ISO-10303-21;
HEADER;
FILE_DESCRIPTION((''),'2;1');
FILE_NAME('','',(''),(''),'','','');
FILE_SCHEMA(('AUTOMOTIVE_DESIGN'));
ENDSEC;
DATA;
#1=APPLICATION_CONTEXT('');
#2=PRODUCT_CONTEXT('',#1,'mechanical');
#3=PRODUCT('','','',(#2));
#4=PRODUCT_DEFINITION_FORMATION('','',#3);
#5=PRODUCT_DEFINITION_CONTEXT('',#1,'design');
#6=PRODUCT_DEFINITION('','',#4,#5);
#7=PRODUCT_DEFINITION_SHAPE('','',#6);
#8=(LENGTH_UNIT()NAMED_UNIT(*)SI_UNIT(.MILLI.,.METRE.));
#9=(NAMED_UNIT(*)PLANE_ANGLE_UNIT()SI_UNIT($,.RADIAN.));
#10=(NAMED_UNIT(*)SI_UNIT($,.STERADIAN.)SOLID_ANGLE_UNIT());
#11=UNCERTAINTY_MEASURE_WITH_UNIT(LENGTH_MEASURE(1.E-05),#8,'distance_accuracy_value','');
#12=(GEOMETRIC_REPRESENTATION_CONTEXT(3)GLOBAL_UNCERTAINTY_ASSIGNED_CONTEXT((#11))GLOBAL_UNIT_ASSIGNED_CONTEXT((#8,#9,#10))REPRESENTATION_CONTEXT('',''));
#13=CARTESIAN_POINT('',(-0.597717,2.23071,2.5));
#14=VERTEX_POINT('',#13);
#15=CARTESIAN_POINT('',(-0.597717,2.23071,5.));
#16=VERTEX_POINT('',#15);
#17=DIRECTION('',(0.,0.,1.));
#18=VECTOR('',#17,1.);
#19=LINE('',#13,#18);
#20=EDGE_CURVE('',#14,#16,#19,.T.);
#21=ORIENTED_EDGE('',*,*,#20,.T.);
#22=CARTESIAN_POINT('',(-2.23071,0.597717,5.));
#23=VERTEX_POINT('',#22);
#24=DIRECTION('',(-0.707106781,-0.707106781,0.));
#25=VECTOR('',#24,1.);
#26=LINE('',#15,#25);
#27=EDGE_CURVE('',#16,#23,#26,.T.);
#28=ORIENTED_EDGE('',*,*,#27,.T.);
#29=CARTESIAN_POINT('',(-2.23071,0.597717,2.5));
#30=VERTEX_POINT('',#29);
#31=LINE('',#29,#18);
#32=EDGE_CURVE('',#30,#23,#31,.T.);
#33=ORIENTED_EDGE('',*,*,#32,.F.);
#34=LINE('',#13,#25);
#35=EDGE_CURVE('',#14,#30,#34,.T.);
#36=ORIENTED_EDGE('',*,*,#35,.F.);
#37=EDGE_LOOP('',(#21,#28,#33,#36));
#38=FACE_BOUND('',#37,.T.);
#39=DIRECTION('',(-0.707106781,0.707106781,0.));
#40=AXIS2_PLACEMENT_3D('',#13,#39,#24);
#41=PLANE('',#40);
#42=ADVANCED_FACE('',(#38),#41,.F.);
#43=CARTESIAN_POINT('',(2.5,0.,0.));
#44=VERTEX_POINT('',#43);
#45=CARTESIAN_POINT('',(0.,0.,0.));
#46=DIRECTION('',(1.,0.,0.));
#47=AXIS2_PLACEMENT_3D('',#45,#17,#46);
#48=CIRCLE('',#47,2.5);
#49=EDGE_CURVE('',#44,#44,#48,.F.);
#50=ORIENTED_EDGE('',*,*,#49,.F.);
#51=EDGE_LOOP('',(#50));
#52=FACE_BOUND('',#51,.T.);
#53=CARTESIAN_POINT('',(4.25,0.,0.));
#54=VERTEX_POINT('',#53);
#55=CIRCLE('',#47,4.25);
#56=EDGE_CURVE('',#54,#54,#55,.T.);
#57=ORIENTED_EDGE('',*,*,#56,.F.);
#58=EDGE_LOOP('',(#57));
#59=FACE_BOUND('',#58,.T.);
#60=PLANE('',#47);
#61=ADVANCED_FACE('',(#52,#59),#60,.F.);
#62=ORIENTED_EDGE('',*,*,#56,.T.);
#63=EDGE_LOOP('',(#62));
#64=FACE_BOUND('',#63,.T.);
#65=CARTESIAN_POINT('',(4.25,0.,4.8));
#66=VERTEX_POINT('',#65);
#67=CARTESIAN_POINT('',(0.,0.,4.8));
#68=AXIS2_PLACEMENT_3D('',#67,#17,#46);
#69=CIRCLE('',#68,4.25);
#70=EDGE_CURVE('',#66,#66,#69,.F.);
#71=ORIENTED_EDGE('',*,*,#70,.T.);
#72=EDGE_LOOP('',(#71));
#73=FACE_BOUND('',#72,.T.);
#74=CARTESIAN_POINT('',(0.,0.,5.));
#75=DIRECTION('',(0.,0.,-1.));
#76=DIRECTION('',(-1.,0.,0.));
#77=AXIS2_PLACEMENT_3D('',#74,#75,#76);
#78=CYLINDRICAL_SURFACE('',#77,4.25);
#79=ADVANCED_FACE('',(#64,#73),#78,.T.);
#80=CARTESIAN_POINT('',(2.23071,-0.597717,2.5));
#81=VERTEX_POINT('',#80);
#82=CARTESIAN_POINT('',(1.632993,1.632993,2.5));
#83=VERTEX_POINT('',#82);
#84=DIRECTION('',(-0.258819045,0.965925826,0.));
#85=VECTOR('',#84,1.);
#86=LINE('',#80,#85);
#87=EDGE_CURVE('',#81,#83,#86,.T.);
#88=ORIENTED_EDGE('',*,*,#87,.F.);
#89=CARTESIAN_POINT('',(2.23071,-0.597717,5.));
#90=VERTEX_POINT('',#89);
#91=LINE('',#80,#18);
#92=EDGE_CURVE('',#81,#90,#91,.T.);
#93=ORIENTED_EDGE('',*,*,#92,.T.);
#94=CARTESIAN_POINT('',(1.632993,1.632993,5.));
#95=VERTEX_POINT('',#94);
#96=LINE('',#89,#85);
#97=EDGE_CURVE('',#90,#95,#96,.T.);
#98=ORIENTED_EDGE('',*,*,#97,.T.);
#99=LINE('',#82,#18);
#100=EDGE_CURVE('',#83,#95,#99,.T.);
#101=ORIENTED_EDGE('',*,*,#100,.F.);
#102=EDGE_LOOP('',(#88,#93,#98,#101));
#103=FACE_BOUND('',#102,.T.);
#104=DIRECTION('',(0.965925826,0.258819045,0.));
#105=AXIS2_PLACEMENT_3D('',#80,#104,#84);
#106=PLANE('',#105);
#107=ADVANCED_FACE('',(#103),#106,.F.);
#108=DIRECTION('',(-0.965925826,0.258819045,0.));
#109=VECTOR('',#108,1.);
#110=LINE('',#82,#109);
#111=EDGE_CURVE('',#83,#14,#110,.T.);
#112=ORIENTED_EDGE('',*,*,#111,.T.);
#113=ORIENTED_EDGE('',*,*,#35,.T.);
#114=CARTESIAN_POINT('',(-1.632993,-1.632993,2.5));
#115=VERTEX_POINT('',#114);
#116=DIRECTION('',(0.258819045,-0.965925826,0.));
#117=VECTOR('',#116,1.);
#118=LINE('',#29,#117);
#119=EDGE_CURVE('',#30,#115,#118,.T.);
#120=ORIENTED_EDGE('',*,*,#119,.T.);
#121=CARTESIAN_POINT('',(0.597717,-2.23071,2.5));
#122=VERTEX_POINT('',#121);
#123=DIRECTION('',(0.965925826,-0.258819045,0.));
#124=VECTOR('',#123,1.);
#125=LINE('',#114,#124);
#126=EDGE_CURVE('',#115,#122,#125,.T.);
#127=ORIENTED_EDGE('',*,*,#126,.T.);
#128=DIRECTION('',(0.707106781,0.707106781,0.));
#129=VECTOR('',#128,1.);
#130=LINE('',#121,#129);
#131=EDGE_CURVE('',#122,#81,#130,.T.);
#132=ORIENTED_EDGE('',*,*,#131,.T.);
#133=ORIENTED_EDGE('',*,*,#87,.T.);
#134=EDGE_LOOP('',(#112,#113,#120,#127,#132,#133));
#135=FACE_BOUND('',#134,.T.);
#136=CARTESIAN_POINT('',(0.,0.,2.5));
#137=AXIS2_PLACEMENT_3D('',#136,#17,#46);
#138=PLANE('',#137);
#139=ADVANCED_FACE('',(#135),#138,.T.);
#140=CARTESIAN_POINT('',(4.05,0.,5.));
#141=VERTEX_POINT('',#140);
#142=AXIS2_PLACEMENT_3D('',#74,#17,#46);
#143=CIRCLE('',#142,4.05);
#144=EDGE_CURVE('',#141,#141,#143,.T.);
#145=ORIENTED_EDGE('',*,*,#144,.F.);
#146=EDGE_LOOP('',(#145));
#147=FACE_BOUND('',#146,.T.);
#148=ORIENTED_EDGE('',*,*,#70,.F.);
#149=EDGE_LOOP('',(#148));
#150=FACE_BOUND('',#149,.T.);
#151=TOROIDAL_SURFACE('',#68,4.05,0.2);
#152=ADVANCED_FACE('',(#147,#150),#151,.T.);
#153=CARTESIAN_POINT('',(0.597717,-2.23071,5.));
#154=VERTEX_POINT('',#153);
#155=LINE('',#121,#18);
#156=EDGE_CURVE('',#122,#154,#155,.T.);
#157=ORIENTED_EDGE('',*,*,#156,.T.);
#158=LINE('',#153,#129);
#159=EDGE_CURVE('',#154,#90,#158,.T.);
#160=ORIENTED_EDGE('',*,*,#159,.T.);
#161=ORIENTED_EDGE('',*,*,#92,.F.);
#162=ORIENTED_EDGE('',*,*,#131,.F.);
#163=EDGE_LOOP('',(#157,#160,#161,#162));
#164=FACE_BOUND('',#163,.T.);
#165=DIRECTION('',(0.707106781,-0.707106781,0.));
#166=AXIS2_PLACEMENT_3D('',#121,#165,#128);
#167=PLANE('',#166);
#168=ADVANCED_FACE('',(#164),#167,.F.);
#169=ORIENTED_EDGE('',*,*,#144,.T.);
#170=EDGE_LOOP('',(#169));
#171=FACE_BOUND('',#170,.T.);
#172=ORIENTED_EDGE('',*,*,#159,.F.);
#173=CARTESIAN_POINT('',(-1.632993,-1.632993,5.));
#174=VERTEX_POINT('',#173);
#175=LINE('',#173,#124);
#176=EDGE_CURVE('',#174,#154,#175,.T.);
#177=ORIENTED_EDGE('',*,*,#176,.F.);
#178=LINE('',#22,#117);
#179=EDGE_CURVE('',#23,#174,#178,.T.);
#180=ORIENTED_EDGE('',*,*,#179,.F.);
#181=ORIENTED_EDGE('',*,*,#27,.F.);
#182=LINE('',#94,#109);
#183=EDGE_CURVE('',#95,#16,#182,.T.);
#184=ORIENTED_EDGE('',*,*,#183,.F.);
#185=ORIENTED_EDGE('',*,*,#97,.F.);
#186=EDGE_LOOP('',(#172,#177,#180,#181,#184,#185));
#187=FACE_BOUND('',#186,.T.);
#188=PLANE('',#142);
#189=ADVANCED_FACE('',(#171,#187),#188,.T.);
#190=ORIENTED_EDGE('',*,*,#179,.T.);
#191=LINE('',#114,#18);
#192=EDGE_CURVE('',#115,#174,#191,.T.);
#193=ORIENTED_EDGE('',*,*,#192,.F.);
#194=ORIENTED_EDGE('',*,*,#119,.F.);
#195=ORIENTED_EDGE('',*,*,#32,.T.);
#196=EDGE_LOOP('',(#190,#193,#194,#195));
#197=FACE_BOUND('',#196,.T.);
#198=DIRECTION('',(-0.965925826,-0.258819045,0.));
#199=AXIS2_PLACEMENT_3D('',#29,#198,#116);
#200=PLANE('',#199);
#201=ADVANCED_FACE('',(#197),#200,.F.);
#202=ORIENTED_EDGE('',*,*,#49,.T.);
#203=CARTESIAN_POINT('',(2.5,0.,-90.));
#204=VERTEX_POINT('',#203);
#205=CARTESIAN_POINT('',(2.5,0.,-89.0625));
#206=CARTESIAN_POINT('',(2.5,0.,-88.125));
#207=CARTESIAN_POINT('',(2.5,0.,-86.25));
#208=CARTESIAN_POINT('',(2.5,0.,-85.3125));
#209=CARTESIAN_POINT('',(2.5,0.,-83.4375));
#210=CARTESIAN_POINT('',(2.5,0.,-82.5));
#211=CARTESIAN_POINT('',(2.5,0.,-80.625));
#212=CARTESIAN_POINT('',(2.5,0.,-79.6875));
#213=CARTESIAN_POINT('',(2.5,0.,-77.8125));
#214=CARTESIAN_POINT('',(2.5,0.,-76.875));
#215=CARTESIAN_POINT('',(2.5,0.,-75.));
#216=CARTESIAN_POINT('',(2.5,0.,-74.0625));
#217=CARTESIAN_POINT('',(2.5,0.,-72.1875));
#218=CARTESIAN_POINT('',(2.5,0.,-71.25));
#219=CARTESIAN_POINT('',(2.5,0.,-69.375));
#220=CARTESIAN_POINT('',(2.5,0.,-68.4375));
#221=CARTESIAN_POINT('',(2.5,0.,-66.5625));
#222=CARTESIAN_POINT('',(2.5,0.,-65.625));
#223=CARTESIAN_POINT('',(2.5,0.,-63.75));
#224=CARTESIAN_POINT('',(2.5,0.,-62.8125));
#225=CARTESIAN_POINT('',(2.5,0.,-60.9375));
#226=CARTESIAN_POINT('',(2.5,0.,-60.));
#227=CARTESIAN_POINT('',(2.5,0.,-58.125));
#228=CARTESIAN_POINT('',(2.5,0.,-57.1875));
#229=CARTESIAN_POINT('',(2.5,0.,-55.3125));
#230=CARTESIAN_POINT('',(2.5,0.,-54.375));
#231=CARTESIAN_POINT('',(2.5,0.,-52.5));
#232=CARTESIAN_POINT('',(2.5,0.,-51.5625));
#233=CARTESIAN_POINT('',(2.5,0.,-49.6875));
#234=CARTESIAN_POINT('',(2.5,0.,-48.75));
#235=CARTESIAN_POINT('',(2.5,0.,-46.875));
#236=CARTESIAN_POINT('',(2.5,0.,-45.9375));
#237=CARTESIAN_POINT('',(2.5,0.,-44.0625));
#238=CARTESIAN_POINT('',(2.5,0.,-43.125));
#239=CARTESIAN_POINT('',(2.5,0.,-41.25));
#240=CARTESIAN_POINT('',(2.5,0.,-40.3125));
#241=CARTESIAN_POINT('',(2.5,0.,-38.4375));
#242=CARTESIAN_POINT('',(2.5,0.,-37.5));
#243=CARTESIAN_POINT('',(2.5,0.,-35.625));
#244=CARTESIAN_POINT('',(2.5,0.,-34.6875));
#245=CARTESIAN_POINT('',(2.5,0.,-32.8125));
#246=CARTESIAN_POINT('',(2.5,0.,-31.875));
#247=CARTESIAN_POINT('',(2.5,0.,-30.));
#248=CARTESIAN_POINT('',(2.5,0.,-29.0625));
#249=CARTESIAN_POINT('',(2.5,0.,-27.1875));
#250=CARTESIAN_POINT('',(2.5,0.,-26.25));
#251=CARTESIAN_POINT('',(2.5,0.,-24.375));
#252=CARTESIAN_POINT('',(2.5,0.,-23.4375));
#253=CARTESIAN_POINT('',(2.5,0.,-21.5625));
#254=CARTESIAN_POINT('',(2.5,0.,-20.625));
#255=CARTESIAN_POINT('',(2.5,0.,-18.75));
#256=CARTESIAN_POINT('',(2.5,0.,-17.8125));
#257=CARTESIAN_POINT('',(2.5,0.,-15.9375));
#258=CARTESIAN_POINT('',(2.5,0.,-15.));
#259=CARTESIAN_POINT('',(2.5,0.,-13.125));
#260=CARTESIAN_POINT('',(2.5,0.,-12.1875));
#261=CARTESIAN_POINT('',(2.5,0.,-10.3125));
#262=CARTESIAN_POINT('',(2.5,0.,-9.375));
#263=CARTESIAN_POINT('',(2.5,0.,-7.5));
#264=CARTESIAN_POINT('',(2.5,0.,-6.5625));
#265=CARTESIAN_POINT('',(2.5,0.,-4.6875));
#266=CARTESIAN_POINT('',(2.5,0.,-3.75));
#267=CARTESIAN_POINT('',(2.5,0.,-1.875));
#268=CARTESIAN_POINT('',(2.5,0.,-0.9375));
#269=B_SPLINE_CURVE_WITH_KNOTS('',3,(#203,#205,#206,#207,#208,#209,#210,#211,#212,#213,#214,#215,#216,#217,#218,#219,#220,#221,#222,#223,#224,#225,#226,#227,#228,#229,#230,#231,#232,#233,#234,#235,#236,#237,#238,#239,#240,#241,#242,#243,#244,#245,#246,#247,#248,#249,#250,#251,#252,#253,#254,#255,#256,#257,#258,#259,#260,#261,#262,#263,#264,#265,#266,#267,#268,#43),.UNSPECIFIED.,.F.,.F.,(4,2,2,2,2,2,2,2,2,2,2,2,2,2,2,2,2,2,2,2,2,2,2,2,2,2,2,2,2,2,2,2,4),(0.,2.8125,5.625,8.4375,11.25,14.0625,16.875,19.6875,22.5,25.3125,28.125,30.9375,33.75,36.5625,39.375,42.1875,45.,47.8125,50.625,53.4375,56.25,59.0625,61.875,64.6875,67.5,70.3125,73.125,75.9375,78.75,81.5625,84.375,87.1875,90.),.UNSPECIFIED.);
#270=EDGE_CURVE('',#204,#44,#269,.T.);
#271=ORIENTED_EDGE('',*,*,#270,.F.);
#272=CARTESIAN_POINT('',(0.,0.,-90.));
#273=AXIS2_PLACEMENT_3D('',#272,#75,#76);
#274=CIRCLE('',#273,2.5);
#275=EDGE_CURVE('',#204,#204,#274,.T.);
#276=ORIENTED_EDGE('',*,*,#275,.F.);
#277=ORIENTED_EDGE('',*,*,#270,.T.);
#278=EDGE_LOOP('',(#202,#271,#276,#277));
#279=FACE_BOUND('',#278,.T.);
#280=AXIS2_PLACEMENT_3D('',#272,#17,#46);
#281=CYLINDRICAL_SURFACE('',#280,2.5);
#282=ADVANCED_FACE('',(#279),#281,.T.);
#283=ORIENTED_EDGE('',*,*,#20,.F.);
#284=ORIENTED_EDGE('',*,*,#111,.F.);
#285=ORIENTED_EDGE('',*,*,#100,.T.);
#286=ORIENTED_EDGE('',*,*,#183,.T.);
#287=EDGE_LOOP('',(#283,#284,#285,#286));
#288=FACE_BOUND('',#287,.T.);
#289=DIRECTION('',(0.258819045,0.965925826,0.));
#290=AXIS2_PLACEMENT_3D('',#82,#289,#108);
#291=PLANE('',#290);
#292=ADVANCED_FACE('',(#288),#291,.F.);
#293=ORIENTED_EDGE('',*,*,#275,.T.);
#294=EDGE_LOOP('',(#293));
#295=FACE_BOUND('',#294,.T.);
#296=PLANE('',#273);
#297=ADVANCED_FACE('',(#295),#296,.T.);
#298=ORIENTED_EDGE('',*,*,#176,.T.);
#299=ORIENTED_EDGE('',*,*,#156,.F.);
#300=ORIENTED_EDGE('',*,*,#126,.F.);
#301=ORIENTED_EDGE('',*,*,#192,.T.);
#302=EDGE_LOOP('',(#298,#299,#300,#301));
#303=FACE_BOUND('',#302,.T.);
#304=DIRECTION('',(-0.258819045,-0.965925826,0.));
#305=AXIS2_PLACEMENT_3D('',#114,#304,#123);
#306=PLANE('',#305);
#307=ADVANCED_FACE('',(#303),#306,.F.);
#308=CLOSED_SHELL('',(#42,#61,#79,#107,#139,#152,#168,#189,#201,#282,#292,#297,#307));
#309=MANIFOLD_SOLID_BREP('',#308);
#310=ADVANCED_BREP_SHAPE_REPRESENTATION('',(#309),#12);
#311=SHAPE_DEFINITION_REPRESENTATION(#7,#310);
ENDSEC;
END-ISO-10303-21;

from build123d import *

# Parameters (mm, degrees)
SKETCH_1_R          = 4.25
EXTRUDE_1_DEPTH     = 5
CUT_EXTRUDE_1_DEPTH = 2.5
SKETCH_3_R          = 2.5
EXTRUDE_2_DEPTH     = 90
FILLET_1_R          = 0.2


with BuildPart() as part:
    # 草图1 → 凸台-拉伸1 (new body)
    with BuildSketch(Plane.XY):
        Circle(SKETCH_1_R)
    extrude(amount=EXTRUDE_1_DEPTH)

    # 草图2 → 切除-拉伸1 (cut)
    with BuildSketch(Plane.XY.offset(5)):
        Polygon((-1.632993162, -1.632993162), (0.597716981, -2.230710143), (2.230710143, -0.597716981), (1.632993162, 1.632993162), (-0.597716981, 2.230710143), (-2.230710143, 0.597716981), align=None)
    extrude(amount=-CUT_EXTRUDE_1_DEPTH, mode=Mode.SUBTRACT)

    # 草图3 → 凸台-拉伸2 (add)
    with BuildSketch(Plane(origin=(0, 0, 0), x_dir=(-1, 0, 0), z_dir=(0, 0, -1))):
        with Locations(Location((0, 0, 0), (0, 0, 180))):
            Circle(SKETCH_3_R)
    extrude(amount=EXTRUDE_2_DEPTH)

    # 圆角1
    fillet_1_edges = [part.edges().sort_by_distance(p)[0] for p in [
        (-4.25, 0, 5),
    ]]
    fillet(fillet_1_edges, radius=FILLET_1_R)


solid = part.part
